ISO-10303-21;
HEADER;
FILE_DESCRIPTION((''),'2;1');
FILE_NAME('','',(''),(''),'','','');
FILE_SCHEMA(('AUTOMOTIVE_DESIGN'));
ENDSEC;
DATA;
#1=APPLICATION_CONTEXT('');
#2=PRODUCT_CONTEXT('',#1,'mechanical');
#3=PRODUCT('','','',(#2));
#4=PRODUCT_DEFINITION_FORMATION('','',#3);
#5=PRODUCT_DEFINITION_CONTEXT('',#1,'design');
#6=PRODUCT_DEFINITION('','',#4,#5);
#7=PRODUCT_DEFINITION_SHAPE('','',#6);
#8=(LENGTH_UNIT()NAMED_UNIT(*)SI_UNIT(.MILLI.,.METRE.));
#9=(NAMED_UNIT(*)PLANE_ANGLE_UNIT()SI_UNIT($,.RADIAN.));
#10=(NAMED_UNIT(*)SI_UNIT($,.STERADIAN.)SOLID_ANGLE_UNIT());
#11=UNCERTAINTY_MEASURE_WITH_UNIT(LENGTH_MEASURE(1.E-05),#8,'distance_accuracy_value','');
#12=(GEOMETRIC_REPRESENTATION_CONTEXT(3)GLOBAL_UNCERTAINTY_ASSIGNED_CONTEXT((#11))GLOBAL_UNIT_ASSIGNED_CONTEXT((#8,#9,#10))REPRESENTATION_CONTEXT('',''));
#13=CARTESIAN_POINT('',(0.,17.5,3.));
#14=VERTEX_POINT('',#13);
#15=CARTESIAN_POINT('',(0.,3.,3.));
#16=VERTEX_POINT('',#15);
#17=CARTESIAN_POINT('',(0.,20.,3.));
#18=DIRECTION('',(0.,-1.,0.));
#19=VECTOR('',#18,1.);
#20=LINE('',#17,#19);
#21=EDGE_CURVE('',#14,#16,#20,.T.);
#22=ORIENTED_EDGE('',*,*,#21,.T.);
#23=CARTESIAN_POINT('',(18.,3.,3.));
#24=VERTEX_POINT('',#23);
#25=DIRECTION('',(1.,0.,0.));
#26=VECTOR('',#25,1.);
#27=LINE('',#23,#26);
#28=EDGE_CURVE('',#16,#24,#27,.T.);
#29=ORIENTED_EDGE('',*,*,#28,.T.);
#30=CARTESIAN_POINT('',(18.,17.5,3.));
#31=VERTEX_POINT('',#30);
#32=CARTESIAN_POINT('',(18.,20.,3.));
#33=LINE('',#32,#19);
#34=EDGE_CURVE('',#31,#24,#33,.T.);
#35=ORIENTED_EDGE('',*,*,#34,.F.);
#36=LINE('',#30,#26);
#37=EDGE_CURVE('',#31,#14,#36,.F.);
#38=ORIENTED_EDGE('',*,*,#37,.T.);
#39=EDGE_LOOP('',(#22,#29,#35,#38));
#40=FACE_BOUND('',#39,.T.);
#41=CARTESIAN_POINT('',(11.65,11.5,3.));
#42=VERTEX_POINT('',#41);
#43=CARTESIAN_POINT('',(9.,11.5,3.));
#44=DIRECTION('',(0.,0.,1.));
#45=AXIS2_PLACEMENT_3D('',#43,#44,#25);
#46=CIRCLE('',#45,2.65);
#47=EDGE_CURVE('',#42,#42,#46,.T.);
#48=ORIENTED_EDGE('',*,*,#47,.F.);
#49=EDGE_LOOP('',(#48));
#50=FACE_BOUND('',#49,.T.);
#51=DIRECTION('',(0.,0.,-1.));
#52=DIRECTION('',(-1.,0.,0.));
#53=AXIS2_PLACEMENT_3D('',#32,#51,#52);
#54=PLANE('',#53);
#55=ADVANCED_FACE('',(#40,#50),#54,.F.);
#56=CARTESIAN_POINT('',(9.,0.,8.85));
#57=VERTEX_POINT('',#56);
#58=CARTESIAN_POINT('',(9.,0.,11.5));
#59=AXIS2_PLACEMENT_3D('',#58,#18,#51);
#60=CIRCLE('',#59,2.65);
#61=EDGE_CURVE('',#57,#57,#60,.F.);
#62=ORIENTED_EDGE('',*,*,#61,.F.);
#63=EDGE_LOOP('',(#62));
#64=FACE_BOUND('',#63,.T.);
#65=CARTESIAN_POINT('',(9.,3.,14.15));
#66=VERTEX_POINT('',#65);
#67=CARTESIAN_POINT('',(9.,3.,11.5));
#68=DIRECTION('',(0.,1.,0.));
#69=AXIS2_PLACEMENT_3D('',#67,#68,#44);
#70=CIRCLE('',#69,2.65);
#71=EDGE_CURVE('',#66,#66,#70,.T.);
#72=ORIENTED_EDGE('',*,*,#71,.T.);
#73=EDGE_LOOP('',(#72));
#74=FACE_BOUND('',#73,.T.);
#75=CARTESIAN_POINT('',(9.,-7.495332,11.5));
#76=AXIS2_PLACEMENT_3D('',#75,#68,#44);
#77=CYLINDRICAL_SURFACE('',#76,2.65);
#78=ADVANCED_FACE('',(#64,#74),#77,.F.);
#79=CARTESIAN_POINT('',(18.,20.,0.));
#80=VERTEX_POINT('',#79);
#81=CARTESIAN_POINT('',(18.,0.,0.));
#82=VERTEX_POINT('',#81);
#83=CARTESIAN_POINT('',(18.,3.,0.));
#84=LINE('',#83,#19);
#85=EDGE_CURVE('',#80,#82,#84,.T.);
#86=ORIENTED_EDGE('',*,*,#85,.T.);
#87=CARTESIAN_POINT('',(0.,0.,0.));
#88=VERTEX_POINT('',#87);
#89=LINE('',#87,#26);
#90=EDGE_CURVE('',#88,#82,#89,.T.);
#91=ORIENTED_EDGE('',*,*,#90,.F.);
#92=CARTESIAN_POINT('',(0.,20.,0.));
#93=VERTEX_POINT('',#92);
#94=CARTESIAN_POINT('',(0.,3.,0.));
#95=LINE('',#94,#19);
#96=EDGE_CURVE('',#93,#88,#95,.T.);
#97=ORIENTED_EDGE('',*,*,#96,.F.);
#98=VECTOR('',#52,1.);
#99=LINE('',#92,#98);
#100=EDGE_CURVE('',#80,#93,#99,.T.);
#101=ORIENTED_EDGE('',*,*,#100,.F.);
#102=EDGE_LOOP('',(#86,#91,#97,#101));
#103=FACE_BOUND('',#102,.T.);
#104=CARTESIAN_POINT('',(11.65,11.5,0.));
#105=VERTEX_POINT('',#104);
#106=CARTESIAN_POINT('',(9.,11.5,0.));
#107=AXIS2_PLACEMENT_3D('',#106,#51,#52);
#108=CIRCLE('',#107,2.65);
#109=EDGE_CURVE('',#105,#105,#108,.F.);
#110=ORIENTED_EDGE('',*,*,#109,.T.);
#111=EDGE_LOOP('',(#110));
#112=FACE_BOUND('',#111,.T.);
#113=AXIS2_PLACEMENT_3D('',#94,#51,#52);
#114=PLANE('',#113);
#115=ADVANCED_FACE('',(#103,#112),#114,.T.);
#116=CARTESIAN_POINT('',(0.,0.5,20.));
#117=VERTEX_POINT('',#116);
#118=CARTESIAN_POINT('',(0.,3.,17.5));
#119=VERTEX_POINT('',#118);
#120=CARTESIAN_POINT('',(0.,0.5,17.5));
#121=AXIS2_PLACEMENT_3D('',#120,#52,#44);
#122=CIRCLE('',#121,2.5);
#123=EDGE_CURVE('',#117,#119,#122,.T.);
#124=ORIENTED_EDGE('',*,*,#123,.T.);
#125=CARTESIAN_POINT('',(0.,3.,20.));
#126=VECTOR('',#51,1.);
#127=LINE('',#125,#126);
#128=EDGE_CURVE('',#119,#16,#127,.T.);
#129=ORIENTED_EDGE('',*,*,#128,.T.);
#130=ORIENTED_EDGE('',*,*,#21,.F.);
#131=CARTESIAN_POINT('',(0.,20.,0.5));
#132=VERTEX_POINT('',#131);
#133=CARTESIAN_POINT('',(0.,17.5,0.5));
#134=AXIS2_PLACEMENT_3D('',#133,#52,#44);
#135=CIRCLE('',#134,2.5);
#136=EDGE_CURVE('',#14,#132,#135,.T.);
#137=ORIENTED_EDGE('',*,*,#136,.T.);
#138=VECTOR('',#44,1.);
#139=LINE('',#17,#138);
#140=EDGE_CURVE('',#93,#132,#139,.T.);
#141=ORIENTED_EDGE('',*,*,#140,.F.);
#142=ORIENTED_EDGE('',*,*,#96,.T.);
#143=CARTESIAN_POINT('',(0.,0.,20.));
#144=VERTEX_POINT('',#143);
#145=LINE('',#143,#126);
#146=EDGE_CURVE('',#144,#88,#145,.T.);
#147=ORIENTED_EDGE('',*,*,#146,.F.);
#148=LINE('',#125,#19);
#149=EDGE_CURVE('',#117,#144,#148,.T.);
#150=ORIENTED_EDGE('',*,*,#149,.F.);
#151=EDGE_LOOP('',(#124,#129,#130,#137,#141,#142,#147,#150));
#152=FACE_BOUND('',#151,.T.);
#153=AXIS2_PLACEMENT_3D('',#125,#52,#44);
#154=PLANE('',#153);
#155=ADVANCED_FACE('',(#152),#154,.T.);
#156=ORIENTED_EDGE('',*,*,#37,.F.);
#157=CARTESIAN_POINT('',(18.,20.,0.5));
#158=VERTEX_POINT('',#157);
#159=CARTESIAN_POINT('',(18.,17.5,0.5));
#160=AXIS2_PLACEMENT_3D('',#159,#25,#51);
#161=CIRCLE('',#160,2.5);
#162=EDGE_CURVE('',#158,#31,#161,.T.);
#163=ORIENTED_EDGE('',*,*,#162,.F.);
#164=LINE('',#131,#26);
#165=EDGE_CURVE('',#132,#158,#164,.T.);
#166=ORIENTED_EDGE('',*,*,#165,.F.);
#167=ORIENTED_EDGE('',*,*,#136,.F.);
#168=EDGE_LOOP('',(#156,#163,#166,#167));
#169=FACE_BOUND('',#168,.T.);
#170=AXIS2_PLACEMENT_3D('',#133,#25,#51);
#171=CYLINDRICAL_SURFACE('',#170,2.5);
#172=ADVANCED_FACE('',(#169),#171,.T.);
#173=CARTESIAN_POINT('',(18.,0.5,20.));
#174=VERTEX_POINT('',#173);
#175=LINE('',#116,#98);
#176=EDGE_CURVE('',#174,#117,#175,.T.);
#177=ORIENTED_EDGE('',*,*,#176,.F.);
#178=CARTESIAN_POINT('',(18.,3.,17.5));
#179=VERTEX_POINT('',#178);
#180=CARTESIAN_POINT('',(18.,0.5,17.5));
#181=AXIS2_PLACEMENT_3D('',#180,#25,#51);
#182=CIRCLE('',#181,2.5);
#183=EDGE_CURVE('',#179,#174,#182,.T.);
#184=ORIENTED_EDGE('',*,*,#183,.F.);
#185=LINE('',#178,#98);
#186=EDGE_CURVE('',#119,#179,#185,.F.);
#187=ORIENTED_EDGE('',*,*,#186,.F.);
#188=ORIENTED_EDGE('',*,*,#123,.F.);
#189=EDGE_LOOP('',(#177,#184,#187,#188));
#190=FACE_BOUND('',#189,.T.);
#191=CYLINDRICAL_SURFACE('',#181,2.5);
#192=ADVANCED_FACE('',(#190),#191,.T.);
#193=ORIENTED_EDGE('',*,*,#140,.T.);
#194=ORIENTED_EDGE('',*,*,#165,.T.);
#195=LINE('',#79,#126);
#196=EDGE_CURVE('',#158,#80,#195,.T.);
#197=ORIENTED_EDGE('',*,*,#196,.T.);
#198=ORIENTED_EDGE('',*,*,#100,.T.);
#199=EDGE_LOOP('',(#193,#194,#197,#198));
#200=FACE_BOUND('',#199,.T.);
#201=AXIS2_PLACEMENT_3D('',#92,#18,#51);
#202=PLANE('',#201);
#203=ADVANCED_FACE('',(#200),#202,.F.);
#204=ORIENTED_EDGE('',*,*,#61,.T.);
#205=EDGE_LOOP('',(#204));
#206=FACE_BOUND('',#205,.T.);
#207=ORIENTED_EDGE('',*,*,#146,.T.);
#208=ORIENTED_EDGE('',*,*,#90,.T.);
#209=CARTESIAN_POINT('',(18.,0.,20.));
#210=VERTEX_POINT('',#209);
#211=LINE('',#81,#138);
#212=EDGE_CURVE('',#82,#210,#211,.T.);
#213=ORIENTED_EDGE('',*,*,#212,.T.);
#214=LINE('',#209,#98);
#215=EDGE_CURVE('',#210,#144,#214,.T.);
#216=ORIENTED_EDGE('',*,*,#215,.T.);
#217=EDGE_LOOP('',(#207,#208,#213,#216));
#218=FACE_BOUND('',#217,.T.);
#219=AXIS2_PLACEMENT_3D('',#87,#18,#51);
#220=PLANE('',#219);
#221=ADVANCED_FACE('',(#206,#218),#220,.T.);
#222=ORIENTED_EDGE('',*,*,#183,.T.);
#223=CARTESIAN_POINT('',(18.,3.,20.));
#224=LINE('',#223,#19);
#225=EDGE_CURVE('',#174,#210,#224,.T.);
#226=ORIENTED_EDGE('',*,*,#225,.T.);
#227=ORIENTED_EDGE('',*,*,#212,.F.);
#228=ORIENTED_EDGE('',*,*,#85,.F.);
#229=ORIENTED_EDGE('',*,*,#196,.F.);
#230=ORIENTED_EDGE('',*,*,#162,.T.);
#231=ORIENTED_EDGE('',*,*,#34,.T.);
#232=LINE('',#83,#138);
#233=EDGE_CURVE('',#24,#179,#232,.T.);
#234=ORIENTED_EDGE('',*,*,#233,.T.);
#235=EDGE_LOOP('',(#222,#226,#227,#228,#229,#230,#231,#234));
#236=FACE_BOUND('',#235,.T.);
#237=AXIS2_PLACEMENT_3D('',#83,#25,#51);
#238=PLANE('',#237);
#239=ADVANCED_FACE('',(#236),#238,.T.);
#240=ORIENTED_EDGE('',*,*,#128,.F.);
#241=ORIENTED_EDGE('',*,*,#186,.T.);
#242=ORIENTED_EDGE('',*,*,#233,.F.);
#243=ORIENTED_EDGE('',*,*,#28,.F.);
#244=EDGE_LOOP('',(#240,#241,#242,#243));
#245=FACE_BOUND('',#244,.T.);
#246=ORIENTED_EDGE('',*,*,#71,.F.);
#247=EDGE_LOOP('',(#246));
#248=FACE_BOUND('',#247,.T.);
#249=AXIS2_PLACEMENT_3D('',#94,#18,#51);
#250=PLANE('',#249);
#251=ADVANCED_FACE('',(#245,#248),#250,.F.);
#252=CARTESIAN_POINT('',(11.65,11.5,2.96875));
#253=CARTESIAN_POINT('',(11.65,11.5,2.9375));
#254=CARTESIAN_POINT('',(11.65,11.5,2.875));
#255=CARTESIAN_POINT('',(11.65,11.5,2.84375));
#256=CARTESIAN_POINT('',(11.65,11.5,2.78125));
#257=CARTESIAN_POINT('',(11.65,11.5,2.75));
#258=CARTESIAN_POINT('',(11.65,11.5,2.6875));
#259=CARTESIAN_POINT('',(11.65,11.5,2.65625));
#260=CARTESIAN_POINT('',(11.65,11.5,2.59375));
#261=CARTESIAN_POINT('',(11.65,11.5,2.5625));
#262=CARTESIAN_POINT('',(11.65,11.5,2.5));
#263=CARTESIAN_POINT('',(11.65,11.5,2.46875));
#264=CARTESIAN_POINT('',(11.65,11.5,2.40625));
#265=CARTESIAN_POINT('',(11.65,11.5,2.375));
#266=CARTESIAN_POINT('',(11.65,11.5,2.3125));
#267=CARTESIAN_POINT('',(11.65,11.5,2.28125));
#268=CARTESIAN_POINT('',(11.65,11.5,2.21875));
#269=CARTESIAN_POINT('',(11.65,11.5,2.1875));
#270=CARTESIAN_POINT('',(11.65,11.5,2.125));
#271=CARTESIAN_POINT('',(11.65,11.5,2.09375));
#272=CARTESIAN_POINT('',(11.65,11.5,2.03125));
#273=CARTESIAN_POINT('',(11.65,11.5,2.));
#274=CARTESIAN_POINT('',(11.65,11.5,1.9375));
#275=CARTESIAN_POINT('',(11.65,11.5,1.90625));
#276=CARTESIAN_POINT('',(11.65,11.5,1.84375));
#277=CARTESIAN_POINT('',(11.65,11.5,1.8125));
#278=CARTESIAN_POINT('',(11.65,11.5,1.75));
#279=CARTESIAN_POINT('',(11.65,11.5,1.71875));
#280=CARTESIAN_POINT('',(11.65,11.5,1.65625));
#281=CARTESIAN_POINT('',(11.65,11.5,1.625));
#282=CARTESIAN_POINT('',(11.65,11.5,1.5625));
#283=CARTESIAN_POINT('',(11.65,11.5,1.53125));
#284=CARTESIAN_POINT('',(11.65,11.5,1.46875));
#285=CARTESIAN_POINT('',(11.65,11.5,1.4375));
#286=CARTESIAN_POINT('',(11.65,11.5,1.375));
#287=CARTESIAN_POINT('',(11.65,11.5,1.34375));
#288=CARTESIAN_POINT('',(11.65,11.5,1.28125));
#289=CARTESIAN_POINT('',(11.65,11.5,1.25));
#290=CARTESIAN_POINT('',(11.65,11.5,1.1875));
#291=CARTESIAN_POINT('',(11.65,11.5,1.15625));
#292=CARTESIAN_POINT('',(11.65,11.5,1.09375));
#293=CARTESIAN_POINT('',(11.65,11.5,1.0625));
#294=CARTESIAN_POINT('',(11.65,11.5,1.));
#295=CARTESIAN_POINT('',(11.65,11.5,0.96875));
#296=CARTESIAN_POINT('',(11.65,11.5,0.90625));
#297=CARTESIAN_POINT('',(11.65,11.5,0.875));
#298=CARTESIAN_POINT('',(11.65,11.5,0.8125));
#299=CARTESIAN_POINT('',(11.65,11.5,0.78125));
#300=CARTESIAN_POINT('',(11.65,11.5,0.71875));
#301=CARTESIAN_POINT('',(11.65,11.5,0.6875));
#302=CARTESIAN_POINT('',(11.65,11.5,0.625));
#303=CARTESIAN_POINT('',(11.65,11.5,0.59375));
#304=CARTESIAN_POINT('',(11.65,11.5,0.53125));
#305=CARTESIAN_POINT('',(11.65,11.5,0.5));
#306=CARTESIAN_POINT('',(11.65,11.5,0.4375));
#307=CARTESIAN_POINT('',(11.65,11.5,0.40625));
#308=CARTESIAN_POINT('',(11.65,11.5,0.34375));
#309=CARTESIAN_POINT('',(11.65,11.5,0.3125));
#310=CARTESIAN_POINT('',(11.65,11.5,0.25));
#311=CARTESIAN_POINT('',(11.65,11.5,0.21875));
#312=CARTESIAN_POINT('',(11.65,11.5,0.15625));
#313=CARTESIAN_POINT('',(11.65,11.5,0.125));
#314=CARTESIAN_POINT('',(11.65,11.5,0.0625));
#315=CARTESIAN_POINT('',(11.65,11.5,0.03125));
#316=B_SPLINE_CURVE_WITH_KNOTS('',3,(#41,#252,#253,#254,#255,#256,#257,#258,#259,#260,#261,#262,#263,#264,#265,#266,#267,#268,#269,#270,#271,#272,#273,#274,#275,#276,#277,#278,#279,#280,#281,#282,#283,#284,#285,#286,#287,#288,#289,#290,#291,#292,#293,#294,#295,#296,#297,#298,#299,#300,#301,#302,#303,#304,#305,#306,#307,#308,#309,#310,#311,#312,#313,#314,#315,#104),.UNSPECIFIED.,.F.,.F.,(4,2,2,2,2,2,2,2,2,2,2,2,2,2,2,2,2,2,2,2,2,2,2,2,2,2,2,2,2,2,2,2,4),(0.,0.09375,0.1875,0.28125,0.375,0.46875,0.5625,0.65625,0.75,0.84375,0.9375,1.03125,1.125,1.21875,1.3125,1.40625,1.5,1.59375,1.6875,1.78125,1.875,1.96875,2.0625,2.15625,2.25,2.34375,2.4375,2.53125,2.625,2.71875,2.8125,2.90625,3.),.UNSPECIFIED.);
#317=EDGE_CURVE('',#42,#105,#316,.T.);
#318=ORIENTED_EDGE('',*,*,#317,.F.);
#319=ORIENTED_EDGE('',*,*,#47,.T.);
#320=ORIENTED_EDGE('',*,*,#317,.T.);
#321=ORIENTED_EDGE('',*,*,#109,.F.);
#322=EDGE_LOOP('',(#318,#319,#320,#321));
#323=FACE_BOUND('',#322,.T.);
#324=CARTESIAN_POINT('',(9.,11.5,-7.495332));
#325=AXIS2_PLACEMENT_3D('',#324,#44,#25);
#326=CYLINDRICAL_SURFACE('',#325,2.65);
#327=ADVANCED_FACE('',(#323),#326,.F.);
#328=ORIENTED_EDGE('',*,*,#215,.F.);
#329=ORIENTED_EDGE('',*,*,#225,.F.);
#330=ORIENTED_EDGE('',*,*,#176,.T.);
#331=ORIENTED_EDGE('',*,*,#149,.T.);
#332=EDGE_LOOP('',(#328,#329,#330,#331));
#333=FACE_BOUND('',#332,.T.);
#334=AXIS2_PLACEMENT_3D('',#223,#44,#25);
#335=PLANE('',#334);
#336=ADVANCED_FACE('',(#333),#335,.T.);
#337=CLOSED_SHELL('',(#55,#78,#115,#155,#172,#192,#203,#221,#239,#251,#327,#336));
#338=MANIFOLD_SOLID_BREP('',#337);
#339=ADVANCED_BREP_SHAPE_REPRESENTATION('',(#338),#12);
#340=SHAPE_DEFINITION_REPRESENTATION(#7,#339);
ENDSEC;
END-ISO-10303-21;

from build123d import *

# Parameters (mm, degrees)
SKETCH1_W           = 18
SKETCH1_H           = 20
BOSS_EXTRUDE3_DEPTH = 3
SKETCH4_W           = 18
SKETCH4_H           = 3
BOSS_EXTRUDE4_DEPTH = 17
SKETCH5_R           = 2.65
CUT_EXTRUDE1_DEPTH  = 3
SKETCH6_R           = 2.65
CUT_EXTRUDE2_DEPTH  = 3
FILLET1_R           = 2.5


with BuildPart() as part:
    # Sketch1 → Boss-Extrude3 (new body)
    with BuildSketch(Plane(origin=(0, 0, 0), x_dir=(1, 0, 0), z_dir=(0, 1, 0))):
        with Locations((9, -10)):
            Rectangle(SKETCH1_W, SKETCH1_H)
    extrude(amount=BOSS_EXTRUDE3_DEPTH)

    # Sketch4 → Boss-Extrude4 (add)
    with BuildSketch(Plane(origin=(0, 3, 0), x_dir=(1, 0, 0), z_dir=(0, 1, 0))):
        with Locations((9, -1.5)):
            Rectangle(SKETCH4_W, SKETCH4_H)
    extrude(amount=BOSS_EXTRUDE4_DEPTH)

    # Sketch5 → Cut-Extrude1 (cut)
    with BuildSketch(Plane(origin=(0, 3, 0), x_dir=(1, 0, 0), z_dir=(0, 1, 0))):
        with Locations(Location((9, -11.5, 0), (0, 0, 270))):
            Circle(SKETCH5_R)
    extrude(amount=-CUT_EXTRUDE1_DEPTH, mode=Mode.SUBTRACT)

    # Sketch6 → Cut-Extrude2 (cut)
    with BuildSketch(Plane.XY.offset(3)):
        with Locations((9, 11.5)):
            Circle(SKETCH6_R)
    extrude(amount=-CUT_EXTRUDE2_DEPTH, mode=Mode.SUBTRACT)

    # Fillet1
    fillet1_edges = [part.edges().sort_by_distance(p)[0] for p in [
        (9, 20, 3),
        (9, 3, 20),
    ]]
    fillet(fillet1_edges, radius=FILLET1_R)


solid = part.part
